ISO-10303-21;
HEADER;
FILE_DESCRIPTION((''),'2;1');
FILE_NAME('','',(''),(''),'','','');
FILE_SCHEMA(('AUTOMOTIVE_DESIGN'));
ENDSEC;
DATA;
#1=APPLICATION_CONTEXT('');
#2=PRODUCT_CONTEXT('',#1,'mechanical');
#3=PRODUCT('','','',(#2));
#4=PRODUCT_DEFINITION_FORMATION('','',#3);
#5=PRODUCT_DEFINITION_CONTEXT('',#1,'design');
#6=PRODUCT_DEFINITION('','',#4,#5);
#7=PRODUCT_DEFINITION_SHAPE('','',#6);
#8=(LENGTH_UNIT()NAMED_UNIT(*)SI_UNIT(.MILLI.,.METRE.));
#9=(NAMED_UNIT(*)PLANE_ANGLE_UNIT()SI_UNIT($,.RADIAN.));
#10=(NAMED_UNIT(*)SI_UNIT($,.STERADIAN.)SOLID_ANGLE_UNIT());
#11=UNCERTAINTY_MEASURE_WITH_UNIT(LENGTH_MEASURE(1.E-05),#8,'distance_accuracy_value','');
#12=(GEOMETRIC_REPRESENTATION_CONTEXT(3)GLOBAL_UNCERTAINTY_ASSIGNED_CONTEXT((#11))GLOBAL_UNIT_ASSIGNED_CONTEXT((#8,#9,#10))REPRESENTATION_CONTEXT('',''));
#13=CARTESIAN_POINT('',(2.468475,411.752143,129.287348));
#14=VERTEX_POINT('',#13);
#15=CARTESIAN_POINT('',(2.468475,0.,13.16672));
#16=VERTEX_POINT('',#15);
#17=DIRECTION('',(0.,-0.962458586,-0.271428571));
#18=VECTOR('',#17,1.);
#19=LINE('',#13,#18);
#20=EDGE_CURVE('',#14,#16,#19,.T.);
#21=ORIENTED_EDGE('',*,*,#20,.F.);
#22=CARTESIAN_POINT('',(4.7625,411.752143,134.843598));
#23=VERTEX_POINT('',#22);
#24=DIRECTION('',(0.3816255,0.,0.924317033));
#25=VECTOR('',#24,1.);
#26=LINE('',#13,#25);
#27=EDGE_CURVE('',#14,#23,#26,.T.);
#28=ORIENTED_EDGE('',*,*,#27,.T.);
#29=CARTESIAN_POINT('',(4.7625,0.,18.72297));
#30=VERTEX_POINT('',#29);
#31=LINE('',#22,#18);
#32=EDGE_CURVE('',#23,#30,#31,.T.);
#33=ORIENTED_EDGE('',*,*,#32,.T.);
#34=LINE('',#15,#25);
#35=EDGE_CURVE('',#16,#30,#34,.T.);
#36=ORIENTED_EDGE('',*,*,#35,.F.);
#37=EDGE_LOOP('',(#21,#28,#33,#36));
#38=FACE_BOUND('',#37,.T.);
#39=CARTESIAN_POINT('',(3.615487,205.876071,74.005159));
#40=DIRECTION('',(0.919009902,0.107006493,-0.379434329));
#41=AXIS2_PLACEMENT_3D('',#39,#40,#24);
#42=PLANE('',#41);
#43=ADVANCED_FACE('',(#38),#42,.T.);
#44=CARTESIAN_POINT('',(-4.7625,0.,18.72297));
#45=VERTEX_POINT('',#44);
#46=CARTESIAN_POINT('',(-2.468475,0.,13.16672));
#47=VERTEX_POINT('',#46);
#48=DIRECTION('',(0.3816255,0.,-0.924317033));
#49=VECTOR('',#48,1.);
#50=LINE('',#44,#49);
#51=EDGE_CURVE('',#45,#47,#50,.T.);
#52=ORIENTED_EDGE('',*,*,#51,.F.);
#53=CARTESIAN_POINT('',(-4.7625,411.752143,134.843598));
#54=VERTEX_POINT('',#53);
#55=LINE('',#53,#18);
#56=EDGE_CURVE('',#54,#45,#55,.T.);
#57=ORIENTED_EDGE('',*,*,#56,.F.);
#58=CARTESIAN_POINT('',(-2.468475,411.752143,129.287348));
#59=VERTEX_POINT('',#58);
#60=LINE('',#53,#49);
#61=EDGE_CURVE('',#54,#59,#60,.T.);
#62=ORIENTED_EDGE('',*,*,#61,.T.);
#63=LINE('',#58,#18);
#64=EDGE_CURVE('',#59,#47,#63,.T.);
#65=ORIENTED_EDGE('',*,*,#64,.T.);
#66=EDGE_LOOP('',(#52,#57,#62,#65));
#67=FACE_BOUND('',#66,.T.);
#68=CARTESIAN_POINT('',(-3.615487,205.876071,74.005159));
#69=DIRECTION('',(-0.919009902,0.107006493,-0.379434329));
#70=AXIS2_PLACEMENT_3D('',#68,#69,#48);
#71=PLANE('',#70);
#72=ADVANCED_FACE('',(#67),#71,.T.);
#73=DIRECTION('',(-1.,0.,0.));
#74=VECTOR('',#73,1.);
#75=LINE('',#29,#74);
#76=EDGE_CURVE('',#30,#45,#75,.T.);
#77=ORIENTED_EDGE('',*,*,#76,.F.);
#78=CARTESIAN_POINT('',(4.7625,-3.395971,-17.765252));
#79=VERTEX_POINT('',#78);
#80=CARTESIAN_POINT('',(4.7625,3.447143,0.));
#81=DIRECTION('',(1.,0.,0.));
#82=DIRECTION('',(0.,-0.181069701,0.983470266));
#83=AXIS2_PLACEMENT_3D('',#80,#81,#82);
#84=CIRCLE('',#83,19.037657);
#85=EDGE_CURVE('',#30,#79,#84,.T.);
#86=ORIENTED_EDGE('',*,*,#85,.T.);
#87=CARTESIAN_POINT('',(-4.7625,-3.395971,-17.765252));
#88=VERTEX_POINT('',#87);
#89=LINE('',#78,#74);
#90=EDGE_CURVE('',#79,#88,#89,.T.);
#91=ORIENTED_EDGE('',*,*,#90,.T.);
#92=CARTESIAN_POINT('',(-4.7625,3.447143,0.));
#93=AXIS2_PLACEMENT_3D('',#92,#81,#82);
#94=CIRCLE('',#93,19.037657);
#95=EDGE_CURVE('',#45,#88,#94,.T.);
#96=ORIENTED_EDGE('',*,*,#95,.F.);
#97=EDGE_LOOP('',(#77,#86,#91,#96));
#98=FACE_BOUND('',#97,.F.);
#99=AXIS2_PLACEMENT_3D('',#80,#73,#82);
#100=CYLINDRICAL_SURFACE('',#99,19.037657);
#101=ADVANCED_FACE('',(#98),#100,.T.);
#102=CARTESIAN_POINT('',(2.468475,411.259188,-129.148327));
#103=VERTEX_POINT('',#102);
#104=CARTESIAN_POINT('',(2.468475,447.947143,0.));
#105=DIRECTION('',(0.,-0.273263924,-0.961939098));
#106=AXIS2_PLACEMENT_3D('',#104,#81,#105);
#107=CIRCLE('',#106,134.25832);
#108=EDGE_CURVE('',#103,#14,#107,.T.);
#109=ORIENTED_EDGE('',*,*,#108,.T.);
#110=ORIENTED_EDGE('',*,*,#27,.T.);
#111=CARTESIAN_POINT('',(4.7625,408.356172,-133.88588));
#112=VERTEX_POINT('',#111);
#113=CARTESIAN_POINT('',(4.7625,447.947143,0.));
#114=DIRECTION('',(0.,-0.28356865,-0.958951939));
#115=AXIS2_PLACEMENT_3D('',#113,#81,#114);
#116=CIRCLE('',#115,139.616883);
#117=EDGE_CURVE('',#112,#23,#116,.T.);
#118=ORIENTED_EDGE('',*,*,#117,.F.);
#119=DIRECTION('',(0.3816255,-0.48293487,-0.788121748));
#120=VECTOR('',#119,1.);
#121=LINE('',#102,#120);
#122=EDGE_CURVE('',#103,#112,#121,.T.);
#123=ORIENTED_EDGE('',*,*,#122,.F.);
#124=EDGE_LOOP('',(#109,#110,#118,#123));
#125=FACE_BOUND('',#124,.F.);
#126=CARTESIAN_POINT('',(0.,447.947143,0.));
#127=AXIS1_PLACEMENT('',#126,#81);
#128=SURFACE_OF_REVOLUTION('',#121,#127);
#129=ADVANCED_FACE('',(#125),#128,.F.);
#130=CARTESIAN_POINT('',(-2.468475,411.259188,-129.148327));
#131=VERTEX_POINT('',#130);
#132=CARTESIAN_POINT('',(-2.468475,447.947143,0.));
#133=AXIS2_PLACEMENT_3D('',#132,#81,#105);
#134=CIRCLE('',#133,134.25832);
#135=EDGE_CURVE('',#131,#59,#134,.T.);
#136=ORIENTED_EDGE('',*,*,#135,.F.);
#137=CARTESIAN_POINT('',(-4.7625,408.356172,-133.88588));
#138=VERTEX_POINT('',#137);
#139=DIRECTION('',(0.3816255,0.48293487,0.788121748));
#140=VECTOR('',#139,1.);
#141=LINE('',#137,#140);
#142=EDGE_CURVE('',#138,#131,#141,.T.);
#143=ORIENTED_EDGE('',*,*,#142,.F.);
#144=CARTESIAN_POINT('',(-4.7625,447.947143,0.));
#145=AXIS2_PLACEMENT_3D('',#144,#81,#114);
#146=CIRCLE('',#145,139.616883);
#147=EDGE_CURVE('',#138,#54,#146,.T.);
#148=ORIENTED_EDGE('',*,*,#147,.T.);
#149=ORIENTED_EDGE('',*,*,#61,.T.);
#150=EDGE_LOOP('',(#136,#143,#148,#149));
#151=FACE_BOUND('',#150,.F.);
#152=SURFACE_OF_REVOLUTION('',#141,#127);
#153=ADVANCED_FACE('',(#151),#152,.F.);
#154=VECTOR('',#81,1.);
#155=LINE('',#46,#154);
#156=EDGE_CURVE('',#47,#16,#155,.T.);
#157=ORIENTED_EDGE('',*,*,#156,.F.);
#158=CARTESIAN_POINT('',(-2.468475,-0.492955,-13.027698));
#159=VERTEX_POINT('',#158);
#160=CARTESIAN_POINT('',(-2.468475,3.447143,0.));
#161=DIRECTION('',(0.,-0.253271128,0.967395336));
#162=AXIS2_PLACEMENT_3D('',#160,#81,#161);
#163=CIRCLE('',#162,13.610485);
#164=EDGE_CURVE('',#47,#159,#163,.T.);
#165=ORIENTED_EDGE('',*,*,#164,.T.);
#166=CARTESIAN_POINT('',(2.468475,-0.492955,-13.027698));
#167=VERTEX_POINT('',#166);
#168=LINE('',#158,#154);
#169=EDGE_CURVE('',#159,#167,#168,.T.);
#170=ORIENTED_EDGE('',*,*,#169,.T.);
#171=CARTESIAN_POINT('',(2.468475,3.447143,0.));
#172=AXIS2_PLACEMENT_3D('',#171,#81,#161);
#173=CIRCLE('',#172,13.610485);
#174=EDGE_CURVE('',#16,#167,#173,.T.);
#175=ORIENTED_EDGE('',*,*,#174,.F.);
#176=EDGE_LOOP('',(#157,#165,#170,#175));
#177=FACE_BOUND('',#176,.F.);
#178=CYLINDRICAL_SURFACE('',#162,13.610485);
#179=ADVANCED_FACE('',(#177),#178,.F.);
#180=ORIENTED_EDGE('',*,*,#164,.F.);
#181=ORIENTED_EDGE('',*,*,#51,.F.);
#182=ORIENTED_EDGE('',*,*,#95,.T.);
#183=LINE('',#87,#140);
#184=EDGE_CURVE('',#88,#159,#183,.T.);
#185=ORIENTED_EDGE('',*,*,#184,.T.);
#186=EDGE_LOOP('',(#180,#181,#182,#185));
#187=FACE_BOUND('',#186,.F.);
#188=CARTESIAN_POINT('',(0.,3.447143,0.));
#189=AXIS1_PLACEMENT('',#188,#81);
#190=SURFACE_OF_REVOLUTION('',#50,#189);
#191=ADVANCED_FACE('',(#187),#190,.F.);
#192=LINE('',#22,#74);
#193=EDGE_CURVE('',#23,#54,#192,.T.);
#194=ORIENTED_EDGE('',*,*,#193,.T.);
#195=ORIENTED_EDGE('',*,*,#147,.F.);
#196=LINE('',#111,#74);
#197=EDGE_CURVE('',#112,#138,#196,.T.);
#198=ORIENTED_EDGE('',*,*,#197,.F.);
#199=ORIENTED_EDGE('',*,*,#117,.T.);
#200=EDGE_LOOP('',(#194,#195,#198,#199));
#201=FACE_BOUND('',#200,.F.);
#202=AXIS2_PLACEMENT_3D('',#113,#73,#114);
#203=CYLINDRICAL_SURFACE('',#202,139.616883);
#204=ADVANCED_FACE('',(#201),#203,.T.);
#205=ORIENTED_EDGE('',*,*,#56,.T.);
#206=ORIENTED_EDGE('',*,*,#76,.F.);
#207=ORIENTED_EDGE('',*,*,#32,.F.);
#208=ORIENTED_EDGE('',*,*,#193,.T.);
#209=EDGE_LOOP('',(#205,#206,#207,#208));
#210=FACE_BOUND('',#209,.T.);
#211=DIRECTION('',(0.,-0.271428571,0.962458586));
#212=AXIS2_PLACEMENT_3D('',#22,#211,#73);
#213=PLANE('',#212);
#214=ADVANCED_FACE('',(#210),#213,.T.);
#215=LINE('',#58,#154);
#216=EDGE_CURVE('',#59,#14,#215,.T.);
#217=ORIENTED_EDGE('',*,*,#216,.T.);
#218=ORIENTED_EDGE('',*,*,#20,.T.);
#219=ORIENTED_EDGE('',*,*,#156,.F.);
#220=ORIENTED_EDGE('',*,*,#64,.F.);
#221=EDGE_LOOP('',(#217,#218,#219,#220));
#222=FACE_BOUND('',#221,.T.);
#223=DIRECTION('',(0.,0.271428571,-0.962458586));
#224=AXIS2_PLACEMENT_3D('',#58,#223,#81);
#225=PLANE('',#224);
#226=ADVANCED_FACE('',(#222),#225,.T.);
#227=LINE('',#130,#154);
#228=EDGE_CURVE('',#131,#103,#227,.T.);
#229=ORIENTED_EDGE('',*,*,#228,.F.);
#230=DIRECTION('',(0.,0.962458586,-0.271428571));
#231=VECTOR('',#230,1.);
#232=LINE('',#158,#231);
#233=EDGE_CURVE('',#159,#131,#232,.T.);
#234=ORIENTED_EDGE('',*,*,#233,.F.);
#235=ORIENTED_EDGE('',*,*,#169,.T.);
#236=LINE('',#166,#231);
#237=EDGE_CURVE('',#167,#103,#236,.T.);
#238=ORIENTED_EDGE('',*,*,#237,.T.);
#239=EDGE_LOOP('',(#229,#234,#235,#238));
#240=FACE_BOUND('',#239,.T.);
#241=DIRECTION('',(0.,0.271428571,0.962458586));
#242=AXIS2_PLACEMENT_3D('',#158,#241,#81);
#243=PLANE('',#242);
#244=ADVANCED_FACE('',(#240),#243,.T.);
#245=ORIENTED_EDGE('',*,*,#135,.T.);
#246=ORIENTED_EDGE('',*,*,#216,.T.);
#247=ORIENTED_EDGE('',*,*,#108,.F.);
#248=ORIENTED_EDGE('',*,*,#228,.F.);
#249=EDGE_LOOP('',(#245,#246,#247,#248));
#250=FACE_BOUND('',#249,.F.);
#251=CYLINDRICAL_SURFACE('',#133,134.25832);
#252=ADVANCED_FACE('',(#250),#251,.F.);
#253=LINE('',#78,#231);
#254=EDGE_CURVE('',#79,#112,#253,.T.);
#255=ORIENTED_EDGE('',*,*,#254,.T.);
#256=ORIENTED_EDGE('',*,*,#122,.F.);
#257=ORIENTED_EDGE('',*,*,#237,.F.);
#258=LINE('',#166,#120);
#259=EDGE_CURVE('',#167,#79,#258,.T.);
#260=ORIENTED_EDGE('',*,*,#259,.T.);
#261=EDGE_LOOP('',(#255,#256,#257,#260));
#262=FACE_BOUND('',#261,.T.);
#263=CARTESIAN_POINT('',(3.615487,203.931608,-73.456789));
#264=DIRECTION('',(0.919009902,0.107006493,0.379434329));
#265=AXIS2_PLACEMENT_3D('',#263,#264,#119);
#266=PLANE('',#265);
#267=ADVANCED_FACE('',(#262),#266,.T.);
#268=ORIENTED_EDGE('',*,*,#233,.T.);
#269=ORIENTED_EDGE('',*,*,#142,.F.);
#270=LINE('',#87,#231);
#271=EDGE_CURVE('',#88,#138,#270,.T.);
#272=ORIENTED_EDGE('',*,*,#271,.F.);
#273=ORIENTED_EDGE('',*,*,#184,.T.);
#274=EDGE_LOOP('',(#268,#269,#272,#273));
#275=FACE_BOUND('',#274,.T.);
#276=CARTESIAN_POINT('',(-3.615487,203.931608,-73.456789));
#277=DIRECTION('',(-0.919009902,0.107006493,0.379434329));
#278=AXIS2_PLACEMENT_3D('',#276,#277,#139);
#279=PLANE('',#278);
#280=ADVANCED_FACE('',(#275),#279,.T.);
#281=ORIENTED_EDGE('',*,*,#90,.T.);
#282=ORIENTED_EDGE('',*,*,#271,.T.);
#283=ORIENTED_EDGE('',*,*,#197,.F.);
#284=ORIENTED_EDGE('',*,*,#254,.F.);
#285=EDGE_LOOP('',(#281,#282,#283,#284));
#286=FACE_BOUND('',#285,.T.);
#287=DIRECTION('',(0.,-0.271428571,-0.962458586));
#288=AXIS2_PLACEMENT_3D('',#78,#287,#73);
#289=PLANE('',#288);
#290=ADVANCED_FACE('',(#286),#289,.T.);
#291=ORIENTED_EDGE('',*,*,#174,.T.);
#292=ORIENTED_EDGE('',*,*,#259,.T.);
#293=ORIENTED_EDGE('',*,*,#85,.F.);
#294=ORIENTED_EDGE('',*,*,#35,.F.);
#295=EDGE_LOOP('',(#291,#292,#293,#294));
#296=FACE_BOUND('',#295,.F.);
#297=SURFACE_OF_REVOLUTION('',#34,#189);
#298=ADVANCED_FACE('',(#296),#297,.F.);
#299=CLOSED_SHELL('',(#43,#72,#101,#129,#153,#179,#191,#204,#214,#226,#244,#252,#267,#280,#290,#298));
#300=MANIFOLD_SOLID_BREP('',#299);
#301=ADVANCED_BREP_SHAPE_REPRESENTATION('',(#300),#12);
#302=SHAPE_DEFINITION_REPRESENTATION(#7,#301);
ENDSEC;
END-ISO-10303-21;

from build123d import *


with BuildPart() as f2:
    # F2: sweep along a path in F0
    with BuildLine(Plane.YZ) as f2_path:
        ThreePointArc((411.7521428571, -128.3438525018), (581.2971428571, 0), (411.7521428571, 128.3438525018))
        Line((411.7521428571, 128.3438525018), (0, 12.2232240478))
        ThreePointArc((0, 12.2232240478), (-9.2528571429, 0), (0, -12.2232240478))
        Line((0, -12.2232240478), (411.7521428571, -128.3438525018))
    # F1 (on Front) → F2 (sweep)
    with BuildSketch(Plane.XZ):
        Polygon((-4.7625, 18.7229695863), (-2.468474675, 13.1667195863), (2.468474675, 13.1667195863), (4.7625, 18.7229695863), align=None)
    sweep(path=f2_path.line)


solid = f2.part
